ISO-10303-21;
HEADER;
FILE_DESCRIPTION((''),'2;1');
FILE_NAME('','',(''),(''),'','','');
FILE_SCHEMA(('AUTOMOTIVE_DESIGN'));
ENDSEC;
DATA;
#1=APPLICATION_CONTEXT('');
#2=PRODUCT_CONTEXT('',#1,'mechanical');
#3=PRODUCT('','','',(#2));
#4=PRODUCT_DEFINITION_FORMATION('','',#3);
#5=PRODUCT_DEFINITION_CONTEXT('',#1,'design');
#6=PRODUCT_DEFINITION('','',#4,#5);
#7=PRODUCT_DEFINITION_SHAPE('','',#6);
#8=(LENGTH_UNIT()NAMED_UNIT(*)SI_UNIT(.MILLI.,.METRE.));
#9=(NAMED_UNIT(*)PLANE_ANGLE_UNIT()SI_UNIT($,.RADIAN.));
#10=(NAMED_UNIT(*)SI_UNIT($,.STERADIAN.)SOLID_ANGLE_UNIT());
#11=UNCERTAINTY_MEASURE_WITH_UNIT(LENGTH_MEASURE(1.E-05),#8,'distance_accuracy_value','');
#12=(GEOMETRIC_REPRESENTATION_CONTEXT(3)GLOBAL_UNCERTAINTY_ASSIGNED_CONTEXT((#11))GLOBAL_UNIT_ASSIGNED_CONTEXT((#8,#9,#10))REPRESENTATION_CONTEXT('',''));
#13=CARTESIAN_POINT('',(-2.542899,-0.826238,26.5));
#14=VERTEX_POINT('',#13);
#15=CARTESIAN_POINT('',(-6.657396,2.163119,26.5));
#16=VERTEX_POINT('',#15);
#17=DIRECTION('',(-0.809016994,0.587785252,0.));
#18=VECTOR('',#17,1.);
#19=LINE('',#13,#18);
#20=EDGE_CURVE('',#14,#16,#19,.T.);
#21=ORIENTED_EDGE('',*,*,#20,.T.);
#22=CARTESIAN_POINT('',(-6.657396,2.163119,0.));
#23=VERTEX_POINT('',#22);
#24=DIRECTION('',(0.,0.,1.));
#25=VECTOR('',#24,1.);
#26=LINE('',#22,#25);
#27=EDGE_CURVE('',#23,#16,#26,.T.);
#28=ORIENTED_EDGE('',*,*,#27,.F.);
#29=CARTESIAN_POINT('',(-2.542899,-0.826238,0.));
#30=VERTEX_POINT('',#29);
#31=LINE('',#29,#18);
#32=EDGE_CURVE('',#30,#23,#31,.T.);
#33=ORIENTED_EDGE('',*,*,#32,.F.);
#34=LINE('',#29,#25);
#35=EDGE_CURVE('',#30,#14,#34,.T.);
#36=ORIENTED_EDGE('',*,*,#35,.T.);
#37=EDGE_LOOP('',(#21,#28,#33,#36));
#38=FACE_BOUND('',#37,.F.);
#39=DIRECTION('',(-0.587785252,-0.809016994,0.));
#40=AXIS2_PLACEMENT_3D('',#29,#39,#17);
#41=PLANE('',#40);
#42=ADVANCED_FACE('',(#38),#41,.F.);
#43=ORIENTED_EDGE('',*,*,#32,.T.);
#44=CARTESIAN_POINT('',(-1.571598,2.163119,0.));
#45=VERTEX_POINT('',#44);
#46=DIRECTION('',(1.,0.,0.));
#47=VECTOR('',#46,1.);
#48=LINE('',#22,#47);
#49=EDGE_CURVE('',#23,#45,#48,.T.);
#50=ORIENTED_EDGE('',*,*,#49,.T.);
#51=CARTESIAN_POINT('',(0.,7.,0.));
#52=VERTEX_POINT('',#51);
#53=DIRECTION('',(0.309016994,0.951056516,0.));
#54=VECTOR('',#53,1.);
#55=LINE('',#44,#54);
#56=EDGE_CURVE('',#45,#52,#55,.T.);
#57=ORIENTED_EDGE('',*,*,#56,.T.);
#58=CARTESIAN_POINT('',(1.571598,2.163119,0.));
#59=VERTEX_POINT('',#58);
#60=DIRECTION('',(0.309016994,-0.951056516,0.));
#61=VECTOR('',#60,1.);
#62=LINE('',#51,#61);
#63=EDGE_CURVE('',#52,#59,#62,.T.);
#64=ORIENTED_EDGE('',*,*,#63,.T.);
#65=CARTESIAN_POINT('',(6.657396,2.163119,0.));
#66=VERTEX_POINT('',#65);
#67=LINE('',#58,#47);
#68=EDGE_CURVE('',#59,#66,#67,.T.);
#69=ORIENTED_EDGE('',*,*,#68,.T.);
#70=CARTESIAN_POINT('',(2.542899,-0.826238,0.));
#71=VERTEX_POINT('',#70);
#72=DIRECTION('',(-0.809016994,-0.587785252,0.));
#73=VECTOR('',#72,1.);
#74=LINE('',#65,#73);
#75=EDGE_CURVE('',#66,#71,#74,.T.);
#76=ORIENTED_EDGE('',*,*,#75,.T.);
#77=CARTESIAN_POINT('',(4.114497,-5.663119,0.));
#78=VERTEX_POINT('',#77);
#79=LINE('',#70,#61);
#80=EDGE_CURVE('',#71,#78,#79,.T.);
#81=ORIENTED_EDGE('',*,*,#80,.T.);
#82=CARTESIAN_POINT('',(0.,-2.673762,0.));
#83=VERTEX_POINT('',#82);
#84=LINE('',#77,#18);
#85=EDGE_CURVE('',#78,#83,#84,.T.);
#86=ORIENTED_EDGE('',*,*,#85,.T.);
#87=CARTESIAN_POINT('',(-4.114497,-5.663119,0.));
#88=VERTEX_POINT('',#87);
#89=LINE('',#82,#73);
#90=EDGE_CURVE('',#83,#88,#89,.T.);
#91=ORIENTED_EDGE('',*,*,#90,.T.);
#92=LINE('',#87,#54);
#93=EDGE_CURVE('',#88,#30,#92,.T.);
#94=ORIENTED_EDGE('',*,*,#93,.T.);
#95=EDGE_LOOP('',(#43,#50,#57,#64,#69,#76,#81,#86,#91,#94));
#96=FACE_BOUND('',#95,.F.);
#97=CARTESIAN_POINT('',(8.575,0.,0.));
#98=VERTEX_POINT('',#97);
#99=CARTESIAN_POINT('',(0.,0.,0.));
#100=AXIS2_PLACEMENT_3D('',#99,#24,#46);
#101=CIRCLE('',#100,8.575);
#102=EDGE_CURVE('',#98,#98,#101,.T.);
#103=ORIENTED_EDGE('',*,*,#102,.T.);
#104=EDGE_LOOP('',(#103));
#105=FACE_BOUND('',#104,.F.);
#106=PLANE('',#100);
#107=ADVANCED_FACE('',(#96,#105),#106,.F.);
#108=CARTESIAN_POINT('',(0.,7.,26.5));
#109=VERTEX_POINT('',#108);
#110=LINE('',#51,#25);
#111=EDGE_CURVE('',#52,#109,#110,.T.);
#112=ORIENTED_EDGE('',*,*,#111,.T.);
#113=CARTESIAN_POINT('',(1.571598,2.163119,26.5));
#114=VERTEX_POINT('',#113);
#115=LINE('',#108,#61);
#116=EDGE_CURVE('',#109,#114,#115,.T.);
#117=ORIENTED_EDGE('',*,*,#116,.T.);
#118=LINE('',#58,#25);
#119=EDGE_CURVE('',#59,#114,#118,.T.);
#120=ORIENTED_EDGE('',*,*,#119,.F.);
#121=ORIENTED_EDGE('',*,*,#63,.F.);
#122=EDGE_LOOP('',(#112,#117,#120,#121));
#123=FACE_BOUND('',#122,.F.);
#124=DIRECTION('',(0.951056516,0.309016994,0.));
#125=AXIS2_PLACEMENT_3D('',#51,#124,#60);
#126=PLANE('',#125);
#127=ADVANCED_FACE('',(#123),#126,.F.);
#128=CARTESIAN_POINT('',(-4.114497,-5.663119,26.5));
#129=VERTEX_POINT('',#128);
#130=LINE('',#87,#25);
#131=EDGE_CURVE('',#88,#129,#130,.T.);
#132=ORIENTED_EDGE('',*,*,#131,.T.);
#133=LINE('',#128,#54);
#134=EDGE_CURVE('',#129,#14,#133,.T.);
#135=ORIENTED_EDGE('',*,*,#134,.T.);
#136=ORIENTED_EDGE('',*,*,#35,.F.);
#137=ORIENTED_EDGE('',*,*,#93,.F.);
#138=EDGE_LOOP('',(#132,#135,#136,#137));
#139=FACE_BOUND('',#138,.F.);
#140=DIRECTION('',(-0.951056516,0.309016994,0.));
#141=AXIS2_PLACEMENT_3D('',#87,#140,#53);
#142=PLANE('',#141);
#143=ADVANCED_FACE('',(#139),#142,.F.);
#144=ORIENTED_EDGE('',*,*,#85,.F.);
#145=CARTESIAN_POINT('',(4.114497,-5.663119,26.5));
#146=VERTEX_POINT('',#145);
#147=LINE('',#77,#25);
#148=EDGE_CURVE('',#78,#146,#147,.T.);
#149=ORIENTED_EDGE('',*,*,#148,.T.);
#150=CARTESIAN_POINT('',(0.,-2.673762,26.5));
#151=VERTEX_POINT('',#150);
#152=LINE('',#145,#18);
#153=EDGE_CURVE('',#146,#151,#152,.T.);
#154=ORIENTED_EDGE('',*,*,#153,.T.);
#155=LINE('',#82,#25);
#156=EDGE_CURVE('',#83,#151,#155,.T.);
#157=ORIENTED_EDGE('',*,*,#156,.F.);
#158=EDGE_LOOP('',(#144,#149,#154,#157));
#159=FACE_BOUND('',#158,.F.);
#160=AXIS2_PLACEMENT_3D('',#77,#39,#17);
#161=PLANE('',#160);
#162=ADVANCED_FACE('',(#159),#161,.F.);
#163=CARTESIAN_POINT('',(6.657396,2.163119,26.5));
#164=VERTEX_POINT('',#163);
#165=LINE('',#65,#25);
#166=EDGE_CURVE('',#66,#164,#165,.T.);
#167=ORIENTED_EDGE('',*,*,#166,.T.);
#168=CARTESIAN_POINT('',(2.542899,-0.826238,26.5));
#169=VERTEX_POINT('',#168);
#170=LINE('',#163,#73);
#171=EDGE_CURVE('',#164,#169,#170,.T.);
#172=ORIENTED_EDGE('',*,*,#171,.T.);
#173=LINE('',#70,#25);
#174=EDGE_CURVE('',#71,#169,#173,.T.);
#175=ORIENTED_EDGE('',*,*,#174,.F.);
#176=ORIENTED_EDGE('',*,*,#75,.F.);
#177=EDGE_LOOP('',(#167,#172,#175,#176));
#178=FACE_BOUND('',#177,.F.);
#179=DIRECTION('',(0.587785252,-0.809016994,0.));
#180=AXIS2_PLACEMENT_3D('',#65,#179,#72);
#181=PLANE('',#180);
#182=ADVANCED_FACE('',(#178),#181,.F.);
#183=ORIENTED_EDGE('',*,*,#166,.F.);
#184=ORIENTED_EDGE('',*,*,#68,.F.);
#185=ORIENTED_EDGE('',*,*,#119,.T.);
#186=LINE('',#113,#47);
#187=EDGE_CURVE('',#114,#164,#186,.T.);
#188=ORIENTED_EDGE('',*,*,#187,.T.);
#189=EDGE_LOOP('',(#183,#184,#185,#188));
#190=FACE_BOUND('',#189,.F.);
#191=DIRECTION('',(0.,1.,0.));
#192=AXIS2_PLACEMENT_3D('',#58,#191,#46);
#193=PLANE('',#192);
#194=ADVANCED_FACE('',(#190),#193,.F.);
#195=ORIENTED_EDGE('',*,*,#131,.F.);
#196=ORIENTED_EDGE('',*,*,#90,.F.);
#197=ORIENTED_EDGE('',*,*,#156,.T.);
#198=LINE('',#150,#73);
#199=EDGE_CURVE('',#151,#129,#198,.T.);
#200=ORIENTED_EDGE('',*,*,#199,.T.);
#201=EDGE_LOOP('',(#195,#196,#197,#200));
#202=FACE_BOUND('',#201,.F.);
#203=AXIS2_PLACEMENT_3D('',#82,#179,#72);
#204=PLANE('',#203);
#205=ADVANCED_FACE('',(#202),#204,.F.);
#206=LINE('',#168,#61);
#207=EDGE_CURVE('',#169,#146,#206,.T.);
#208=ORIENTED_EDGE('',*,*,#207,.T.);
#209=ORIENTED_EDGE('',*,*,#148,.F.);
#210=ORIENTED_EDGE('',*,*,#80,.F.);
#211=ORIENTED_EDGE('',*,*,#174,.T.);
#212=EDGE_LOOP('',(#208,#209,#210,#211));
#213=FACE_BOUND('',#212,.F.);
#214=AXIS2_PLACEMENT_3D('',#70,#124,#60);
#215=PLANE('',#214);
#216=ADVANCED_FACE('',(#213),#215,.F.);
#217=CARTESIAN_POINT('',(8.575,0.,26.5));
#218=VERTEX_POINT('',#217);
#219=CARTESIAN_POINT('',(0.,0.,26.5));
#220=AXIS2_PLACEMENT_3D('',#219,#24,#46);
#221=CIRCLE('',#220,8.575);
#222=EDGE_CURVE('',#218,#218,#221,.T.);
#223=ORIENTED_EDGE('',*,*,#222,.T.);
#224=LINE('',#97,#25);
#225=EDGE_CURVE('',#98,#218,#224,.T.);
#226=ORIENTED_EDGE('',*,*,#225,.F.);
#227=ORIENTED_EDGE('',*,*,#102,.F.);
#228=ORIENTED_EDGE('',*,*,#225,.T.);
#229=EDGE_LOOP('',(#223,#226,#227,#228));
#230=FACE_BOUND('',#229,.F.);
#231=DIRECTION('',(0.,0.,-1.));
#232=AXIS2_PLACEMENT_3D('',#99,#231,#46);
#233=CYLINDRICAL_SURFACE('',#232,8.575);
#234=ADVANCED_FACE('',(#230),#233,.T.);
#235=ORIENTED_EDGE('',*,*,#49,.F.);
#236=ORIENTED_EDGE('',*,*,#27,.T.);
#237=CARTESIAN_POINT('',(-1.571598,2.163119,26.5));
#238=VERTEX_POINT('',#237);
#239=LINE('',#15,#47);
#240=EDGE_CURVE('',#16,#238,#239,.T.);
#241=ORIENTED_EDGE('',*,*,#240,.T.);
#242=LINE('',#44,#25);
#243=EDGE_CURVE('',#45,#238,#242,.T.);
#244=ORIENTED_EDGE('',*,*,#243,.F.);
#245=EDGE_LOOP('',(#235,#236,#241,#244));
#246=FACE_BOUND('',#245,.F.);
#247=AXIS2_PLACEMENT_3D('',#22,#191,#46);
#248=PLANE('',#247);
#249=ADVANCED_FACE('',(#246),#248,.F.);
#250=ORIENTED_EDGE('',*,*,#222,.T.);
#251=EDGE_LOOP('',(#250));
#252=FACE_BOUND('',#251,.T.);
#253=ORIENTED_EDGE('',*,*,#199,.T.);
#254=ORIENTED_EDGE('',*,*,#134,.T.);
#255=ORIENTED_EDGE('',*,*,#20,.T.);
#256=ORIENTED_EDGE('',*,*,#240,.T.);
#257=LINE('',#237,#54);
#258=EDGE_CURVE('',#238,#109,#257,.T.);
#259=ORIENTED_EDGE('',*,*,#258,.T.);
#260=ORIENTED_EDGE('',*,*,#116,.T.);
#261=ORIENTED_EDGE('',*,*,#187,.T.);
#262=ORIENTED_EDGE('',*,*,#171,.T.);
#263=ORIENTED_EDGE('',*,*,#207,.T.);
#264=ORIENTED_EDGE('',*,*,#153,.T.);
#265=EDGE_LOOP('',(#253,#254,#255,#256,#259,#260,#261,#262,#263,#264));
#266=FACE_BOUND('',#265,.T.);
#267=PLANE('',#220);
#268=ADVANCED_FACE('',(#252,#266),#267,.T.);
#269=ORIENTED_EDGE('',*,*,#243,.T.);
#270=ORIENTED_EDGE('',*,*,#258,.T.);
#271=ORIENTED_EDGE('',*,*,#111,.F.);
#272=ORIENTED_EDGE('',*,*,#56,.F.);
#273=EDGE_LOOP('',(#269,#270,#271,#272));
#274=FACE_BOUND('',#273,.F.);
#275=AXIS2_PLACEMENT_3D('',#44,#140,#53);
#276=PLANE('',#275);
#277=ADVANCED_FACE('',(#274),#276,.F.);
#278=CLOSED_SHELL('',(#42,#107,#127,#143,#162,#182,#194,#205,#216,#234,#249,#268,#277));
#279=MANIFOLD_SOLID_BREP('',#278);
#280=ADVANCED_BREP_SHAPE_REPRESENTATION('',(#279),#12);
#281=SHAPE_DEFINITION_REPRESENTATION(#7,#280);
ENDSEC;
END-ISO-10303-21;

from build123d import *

# Parameters (mm, degrees)
F0_R     = 8.575
F1_DEPTH = 26.5
F3_DEPTH = 26.5


with BuildPart() as f1:
    # F0 (on Top) → F1 (new body)
    with BuildSketch(Plane.XY):
        Circle(F0_R)
    extrude(amount=F1_DEPTH)

    # F2 (on face) → F3 (cut)
    with BuildSketch(Plane(origin=(0, 0, 0), x_dir=(1, 0, 0), z_dir=(0, 0, -1))):
        Polygon((0, 2.6737620788), (-4.114496766, 5.6631189606), (-2.542898848, 0.8262379212), align=None)
        Polygon((-1.571597918, -2.1631189606), (-2.542898848, 0.8262379212), (-6.6573956141, -2.1631189606), align=None)
        Polygon((1.571597918, -2.1631189606), (-1.571597918, -2.1631189606), (0, -7), align=None)
        Polygon((6.6573956141, -2.1631189606), (2.542898848, 0.8262379212), (1.571597918, -2.1631189606), align=None)
        Polygon((4.114496766, 5.6631189606), (0, 2.6737620788), (2.542898848, 0.8262379212), align=None)
        Polygon((0, 2.6737620788), (-2.542898848, 0.8262379212), (-1.571597918, -2.1631189606), (1.571597918, -2.1631189606), (2.542898848, 0.8262379212), align=None)
    extrude(amount=-F3_DEPTH, mode=Mode.SUBTRACT)


solid = f1.part
